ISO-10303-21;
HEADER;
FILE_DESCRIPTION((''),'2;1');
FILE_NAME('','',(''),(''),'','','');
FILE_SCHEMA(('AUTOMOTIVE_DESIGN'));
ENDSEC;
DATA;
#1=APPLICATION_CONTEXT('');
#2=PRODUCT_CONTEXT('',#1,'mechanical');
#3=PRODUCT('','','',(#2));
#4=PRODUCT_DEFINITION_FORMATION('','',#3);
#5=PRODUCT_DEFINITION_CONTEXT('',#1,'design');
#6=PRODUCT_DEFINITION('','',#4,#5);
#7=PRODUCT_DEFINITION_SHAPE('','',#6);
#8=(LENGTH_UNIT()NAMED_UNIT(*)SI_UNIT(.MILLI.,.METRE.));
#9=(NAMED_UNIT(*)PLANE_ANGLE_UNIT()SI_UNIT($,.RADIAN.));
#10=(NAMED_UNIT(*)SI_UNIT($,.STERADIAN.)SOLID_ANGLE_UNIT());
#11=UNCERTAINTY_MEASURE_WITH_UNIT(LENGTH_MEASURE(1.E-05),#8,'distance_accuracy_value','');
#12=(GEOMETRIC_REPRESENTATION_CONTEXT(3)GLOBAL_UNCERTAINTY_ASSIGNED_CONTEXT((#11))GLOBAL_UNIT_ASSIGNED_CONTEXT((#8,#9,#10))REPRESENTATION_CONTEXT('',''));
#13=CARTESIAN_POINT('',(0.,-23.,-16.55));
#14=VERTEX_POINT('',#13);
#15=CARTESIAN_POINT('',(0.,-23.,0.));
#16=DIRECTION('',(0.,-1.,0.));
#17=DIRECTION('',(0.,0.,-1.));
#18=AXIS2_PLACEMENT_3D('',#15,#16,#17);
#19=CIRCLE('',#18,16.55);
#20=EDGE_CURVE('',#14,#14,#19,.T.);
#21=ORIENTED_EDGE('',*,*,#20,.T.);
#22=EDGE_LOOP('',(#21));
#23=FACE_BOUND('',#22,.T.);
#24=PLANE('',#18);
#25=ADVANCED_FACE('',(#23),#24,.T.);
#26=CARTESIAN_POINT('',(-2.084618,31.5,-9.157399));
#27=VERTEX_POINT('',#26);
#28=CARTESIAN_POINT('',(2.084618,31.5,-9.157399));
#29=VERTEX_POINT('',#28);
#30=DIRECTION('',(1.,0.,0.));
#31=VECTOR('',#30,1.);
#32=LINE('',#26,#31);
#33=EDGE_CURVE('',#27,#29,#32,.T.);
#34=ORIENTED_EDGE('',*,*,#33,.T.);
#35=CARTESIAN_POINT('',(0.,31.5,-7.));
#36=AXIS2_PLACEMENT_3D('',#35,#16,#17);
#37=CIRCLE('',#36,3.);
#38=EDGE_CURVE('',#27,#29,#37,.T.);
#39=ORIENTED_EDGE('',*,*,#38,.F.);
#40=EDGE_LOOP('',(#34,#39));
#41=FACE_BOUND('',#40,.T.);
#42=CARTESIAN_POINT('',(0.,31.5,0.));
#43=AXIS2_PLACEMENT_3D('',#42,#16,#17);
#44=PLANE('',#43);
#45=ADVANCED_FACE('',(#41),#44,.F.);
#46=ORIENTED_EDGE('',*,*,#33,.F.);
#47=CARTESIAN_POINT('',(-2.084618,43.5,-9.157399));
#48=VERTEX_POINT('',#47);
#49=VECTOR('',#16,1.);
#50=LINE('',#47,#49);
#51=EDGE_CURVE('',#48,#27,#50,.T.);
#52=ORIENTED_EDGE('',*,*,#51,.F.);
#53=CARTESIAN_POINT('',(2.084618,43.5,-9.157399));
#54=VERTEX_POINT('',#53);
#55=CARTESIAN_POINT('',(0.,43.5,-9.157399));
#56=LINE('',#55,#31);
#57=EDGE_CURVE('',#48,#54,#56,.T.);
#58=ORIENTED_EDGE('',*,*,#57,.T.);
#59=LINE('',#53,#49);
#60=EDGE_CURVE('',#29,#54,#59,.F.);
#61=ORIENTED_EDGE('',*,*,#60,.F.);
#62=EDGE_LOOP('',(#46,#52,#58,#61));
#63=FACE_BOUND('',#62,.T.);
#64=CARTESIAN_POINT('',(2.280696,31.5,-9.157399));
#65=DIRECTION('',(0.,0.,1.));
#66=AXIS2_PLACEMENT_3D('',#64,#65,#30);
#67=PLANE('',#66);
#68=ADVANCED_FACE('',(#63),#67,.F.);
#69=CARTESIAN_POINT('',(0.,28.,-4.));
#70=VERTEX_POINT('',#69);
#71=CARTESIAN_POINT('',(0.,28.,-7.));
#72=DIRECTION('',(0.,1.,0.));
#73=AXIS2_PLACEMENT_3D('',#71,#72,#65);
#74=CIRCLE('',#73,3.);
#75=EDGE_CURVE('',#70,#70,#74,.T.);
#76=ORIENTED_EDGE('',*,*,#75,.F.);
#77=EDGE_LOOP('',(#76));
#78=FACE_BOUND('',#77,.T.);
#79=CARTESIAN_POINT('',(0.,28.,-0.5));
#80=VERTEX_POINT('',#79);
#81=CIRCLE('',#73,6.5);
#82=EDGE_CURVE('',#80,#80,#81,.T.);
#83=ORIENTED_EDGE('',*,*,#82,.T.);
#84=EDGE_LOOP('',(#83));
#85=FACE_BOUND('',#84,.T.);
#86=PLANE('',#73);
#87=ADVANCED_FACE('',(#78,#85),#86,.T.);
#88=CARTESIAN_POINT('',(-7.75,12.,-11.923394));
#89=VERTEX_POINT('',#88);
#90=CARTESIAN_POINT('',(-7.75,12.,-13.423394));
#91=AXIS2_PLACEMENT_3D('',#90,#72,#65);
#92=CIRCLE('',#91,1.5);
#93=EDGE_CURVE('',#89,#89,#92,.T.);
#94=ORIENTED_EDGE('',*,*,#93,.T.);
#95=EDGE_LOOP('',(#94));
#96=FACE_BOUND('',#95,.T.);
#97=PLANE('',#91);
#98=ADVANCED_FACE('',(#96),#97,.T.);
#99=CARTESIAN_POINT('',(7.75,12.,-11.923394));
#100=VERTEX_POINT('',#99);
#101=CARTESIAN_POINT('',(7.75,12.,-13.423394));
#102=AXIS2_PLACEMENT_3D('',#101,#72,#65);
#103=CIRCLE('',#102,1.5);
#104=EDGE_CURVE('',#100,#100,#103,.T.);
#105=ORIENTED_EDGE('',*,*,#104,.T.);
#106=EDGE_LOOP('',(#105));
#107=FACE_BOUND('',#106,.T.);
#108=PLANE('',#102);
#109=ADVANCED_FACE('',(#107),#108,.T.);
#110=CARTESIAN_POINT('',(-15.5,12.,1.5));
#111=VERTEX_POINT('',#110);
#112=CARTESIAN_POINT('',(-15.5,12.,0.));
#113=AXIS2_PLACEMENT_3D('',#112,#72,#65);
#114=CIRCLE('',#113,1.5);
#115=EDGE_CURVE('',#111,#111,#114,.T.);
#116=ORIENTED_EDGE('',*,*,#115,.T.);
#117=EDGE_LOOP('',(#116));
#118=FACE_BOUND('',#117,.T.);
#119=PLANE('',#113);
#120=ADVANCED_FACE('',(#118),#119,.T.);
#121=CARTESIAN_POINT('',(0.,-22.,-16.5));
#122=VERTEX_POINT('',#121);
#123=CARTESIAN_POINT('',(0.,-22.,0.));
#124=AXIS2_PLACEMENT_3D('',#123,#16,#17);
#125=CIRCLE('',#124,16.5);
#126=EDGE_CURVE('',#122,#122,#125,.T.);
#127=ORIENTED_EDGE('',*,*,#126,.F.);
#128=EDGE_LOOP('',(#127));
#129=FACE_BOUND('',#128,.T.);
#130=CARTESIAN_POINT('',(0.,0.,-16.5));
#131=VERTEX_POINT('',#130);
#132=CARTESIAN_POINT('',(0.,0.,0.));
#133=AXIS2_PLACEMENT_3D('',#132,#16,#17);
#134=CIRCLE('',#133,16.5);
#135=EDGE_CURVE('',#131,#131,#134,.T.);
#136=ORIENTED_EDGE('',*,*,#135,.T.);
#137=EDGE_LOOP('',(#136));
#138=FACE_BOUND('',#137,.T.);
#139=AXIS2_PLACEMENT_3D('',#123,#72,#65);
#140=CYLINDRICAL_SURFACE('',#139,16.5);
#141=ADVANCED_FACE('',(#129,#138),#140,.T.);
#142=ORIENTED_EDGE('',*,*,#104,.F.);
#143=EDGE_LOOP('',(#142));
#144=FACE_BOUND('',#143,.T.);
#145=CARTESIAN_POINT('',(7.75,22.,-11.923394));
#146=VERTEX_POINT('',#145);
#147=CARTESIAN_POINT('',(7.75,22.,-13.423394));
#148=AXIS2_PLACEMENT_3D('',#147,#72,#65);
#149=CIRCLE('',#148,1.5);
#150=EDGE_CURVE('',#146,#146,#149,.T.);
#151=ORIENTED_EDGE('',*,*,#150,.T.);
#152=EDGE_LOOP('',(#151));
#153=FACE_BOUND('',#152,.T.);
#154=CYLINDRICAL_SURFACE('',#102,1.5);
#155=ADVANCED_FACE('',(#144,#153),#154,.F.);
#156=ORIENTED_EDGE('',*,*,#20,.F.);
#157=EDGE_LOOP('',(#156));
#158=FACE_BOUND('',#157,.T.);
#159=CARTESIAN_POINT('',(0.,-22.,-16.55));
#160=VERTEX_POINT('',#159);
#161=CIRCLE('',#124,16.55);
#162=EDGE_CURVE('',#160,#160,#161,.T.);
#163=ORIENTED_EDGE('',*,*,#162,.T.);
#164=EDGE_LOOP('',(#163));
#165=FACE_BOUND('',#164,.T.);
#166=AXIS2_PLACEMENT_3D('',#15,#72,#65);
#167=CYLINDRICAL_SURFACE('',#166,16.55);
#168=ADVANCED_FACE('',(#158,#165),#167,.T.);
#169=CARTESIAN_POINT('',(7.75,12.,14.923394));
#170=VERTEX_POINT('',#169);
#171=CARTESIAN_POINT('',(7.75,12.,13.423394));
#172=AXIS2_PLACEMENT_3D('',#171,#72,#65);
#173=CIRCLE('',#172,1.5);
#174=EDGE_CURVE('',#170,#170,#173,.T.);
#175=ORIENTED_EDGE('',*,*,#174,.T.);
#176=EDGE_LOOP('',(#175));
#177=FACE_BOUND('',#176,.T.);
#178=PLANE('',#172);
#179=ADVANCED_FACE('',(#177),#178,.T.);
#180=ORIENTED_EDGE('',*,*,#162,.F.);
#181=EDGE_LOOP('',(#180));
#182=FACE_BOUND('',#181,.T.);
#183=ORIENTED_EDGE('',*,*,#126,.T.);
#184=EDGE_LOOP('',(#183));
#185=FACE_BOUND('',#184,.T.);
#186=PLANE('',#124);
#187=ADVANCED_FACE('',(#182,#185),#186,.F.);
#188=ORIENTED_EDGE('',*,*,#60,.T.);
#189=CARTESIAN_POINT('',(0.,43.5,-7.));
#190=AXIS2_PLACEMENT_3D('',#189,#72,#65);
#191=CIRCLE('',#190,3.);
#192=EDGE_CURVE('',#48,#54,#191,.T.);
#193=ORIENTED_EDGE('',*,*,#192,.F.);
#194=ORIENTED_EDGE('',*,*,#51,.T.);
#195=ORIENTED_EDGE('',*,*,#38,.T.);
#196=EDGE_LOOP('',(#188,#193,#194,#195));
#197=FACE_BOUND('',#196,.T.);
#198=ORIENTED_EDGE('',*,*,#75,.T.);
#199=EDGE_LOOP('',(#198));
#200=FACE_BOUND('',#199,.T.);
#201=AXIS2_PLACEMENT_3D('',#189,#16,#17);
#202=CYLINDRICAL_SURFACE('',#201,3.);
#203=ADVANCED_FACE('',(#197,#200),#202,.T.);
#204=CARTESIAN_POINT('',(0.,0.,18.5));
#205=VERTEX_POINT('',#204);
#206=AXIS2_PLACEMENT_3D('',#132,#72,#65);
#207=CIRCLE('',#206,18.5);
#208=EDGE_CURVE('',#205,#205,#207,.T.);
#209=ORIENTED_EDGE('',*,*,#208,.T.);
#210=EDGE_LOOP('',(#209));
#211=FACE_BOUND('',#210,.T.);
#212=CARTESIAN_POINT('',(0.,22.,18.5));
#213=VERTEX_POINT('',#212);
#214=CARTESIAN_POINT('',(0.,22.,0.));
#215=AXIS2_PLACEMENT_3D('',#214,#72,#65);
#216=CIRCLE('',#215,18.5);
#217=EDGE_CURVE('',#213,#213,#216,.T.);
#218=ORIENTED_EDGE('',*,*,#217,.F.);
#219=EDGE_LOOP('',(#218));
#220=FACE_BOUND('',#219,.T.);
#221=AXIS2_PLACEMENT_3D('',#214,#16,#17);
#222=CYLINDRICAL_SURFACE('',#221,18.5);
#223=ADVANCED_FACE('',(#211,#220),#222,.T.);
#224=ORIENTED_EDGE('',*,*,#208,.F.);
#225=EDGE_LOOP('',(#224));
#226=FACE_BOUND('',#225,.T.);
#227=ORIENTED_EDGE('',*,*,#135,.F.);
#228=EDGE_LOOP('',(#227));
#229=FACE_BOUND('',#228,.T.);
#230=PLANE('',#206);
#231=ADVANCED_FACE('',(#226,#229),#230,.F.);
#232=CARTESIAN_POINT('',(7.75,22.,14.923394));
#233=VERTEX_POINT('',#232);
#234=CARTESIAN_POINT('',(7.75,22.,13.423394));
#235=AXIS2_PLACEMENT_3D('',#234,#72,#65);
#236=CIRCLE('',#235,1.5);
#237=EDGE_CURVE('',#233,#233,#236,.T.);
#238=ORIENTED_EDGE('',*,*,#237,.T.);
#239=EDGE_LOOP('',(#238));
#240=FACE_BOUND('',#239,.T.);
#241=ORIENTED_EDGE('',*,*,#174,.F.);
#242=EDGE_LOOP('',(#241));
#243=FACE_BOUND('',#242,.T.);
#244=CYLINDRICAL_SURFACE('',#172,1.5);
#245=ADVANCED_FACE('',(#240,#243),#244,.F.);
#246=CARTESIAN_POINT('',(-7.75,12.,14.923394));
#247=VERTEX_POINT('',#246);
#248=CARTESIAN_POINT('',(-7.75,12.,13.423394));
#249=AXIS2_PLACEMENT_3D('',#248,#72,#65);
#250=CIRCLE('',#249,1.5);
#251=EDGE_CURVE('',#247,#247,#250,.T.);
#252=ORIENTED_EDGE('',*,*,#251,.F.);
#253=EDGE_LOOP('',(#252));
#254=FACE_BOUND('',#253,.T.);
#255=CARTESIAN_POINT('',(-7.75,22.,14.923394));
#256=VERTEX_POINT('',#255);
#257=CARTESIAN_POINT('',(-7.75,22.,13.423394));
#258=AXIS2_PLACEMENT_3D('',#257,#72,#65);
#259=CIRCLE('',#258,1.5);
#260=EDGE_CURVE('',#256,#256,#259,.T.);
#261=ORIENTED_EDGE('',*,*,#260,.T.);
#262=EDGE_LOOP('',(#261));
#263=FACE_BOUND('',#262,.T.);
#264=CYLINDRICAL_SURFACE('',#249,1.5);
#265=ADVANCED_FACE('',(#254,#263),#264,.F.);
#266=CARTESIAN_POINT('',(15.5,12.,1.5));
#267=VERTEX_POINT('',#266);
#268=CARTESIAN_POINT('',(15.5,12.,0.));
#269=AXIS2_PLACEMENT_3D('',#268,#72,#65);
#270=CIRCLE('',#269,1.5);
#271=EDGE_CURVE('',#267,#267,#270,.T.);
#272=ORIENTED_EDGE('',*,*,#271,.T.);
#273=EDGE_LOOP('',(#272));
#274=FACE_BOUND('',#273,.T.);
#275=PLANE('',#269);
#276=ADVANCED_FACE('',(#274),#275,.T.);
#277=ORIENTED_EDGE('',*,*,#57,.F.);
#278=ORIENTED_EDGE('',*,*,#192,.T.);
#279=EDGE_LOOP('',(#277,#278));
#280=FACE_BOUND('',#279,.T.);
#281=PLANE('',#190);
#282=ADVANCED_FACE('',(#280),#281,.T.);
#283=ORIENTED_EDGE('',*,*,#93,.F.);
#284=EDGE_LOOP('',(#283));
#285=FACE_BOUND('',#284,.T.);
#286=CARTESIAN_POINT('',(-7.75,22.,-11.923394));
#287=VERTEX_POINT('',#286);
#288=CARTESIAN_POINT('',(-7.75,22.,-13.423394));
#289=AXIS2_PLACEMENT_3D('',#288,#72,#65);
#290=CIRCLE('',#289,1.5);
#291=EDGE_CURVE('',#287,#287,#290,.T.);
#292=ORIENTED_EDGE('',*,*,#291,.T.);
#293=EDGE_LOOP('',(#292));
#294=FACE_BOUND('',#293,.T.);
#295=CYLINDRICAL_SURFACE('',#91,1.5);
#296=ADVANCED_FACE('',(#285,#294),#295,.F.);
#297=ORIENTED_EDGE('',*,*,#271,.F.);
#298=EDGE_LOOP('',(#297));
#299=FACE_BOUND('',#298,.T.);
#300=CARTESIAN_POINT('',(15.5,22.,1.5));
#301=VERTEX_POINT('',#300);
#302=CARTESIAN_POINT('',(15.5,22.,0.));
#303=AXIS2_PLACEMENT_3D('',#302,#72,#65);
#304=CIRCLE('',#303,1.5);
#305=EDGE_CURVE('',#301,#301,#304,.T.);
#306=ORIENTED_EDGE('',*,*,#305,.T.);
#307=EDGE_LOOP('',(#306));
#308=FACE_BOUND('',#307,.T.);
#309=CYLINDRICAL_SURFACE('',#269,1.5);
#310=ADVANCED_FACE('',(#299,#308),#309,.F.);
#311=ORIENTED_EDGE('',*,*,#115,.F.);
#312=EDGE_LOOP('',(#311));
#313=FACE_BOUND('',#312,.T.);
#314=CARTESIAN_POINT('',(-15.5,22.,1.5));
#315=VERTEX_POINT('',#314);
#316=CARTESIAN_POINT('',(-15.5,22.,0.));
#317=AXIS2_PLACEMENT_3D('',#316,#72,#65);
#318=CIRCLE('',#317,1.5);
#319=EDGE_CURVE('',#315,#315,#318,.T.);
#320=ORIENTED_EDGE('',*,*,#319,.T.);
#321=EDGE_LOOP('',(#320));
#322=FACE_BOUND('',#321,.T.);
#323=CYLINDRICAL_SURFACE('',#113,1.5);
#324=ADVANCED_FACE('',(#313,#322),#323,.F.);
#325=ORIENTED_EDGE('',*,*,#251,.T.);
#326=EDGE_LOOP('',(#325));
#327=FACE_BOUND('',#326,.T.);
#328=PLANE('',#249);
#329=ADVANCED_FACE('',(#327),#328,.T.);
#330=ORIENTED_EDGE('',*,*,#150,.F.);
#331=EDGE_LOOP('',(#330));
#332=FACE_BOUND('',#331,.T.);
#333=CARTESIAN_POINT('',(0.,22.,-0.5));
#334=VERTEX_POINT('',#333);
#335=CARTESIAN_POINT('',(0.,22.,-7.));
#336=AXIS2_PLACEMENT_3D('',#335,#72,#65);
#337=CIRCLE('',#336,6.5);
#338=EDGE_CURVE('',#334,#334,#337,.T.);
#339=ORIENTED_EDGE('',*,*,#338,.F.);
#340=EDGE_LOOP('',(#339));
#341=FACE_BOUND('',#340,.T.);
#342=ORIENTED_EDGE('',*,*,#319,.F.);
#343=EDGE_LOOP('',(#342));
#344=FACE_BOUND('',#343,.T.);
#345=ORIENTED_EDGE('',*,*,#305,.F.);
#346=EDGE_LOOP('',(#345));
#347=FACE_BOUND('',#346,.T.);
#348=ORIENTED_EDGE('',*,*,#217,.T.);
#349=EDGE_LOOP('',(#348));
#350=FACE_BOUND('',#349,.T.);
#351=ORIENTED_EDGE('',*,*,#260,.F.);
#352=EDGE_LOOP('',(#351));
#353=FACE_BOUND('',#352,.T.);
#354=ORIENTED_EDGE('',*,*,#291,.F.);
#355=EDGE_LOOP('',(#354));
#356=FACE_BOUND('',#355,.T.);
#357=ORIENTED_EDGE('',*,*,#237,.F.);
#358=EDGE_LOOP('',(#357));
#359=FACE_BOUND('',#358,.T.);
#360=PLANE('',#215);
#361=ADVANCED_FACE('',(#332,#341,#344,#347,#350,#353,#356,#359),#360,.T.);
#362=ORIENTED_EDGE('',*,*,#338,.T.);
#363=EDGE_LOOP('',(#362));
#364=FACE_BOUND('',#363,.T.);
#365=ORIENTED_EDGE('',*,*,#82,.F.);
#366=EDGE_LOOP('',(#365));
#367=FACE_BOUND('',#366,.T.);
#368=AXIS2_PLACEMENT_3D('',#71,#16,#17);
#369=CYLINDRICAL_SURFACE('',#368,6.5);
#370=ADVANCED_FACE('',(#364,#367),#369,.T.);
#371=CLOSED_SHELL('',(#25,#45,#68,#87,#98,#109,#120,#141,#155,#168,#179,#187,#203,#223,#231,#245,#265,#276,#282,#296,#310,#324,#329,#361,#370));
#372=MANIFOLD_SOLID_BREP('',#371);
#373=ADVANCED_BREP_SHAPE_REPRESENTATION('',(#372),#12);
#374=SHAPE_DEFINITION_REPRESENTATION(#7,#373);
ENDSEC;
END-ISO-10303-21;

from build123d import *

# Parameters (mm, degrees)
SKETCH1_R           = 18.5
BOSS_EXTRUDE1_DEPTH = 22
SKETCH2_R           = 16.5
BOSS_EXTRUDE2_DEPTH = 22
SKETCH3_R           = 16.55
BOSS_EXTRUDE3_DEPTH = 1
SKETCH4_R           = 6.5
BOSS_EXTRUDE4_DEPTH = 6
SKETCH6_R           = 3
BOSS_EXTRUDE5_DEPTH = 15.5
CUT_EXTRUDE1_DEPTH  = 12
SKETCH8_R           = 1.5
CUT_EXTRUDE2_DEPTH  = 10


with BuildPart() as part:
    # Sketch1 → Boss-Extrude1 (new body)
    with BuildSketch(Plane(origin=(0, 0, 0), x_dir=(1, 0, 0), z_dir=(0, 1, 0))):
        with Locations(Location((0, 0, 0), (0, 0, 270))):
            Circle(SKETCH1_R)
    extrude(amount=BOSS_EXTRUDE1_DEPTH)

    # Sketch2 → Boss-Extrude2 (add)
    with BuildSketch(Plane.XZ):
        with Locations(Location((0, 0, 0), (0, 0, 270))):
            Circle(SKETCH2_R)
    extrude(amount=BOSS_EXTRUDE2_DEPTH)

    # Sketch3 → Boss-Extrude3 (add)
    with BuildSketch(Plane.XZ.offset(22)):
        with Locations(Location((0, 0, 0), (0, 0, 270))):
            Circle(SKETCH3_R)
    extrude(amount=BOSS_EXTRUDE3_DEPTH)

    # Sketch4 → Boss-Extrude4 (add)
    with BuildSketch(Plane(origin=(0, 22, 0), x_dir=(1, 0, 0), z_dir=(0, 1, 0))):
        with Locations(Location((0, 7, 0), (0, 0, 270))):
            Circle(SKETCH4_R)
    extrude(amount=BOSS_EXTRUDE4_DEPTH)

    # Sketch6 → Boss-Extrude5 (add)
    with BuildSketch(Plane(origin=(0, 28, 0), x_dir=(1, 0, 0), z_dir=(0, 1, 0))):
        with Locations(Location((0, 7, 0), (0, 0, 270))):
            Circle(SKETCH6_R)
    extrude(amount=BOSS_EXTRUDE5_DEPTH)

    # Sketch7 → Cut-Extrude1 (cut)
    with BuildSketch(Plane(origin=(0, 43.5, 0), x_dir=(1, 0, 0), z_dir=(0, 1, 0))):
        Polygon((-2.084617871, 9.15739851), (2.084617871, 9.15739851), (2.280696351, 9.15739851), (2.280696351, 10.992904137), (-3.0808507, 10.992904137), (-3.0808507, 9.15739851), align=None)
    extrude(amount=-CUT_EXTRUDE1_DEPTH, mode=Mode.SUBTRACT)

    # Sketch8 → Cut-Extrude2 (cut)
    with BuildSketch(Plane(origin=(0, 22, 0), x_dir=(1, 0, 0), z_dir=(0, 1, 0))):
        with Locations(Location((15.5, 0, 0), (0, 0, 270))):
            Circle(SKETCH8_R)
        with Locations(Location((7.75, -13.423393759, 0), (0, 0, 270))):
            Circle(SKETCH8_R)
        with Locations(Location((-7.75, -13.423393759, 0), (0, 0, 270))):
            Circle(SKETCH8_R)
        with Locations(Location((-15.5, 0, 0), (0, 0, 270))):
            Circle(SKETCH8_R)
        with Locations(Location((-7.75, 13.423393759, 0), (0, 0, 270))):
            Circle(SKETCH8_R)
        with Locations(Location((7.75, 13.423393759, 0), (0, 0, 270))):
            Circle(SKETCH8_R)
    extrude(amount=-CUT_EXTRUDE2_DEPTH, mode=Mode.SUBTRACT)


solid = part.part
